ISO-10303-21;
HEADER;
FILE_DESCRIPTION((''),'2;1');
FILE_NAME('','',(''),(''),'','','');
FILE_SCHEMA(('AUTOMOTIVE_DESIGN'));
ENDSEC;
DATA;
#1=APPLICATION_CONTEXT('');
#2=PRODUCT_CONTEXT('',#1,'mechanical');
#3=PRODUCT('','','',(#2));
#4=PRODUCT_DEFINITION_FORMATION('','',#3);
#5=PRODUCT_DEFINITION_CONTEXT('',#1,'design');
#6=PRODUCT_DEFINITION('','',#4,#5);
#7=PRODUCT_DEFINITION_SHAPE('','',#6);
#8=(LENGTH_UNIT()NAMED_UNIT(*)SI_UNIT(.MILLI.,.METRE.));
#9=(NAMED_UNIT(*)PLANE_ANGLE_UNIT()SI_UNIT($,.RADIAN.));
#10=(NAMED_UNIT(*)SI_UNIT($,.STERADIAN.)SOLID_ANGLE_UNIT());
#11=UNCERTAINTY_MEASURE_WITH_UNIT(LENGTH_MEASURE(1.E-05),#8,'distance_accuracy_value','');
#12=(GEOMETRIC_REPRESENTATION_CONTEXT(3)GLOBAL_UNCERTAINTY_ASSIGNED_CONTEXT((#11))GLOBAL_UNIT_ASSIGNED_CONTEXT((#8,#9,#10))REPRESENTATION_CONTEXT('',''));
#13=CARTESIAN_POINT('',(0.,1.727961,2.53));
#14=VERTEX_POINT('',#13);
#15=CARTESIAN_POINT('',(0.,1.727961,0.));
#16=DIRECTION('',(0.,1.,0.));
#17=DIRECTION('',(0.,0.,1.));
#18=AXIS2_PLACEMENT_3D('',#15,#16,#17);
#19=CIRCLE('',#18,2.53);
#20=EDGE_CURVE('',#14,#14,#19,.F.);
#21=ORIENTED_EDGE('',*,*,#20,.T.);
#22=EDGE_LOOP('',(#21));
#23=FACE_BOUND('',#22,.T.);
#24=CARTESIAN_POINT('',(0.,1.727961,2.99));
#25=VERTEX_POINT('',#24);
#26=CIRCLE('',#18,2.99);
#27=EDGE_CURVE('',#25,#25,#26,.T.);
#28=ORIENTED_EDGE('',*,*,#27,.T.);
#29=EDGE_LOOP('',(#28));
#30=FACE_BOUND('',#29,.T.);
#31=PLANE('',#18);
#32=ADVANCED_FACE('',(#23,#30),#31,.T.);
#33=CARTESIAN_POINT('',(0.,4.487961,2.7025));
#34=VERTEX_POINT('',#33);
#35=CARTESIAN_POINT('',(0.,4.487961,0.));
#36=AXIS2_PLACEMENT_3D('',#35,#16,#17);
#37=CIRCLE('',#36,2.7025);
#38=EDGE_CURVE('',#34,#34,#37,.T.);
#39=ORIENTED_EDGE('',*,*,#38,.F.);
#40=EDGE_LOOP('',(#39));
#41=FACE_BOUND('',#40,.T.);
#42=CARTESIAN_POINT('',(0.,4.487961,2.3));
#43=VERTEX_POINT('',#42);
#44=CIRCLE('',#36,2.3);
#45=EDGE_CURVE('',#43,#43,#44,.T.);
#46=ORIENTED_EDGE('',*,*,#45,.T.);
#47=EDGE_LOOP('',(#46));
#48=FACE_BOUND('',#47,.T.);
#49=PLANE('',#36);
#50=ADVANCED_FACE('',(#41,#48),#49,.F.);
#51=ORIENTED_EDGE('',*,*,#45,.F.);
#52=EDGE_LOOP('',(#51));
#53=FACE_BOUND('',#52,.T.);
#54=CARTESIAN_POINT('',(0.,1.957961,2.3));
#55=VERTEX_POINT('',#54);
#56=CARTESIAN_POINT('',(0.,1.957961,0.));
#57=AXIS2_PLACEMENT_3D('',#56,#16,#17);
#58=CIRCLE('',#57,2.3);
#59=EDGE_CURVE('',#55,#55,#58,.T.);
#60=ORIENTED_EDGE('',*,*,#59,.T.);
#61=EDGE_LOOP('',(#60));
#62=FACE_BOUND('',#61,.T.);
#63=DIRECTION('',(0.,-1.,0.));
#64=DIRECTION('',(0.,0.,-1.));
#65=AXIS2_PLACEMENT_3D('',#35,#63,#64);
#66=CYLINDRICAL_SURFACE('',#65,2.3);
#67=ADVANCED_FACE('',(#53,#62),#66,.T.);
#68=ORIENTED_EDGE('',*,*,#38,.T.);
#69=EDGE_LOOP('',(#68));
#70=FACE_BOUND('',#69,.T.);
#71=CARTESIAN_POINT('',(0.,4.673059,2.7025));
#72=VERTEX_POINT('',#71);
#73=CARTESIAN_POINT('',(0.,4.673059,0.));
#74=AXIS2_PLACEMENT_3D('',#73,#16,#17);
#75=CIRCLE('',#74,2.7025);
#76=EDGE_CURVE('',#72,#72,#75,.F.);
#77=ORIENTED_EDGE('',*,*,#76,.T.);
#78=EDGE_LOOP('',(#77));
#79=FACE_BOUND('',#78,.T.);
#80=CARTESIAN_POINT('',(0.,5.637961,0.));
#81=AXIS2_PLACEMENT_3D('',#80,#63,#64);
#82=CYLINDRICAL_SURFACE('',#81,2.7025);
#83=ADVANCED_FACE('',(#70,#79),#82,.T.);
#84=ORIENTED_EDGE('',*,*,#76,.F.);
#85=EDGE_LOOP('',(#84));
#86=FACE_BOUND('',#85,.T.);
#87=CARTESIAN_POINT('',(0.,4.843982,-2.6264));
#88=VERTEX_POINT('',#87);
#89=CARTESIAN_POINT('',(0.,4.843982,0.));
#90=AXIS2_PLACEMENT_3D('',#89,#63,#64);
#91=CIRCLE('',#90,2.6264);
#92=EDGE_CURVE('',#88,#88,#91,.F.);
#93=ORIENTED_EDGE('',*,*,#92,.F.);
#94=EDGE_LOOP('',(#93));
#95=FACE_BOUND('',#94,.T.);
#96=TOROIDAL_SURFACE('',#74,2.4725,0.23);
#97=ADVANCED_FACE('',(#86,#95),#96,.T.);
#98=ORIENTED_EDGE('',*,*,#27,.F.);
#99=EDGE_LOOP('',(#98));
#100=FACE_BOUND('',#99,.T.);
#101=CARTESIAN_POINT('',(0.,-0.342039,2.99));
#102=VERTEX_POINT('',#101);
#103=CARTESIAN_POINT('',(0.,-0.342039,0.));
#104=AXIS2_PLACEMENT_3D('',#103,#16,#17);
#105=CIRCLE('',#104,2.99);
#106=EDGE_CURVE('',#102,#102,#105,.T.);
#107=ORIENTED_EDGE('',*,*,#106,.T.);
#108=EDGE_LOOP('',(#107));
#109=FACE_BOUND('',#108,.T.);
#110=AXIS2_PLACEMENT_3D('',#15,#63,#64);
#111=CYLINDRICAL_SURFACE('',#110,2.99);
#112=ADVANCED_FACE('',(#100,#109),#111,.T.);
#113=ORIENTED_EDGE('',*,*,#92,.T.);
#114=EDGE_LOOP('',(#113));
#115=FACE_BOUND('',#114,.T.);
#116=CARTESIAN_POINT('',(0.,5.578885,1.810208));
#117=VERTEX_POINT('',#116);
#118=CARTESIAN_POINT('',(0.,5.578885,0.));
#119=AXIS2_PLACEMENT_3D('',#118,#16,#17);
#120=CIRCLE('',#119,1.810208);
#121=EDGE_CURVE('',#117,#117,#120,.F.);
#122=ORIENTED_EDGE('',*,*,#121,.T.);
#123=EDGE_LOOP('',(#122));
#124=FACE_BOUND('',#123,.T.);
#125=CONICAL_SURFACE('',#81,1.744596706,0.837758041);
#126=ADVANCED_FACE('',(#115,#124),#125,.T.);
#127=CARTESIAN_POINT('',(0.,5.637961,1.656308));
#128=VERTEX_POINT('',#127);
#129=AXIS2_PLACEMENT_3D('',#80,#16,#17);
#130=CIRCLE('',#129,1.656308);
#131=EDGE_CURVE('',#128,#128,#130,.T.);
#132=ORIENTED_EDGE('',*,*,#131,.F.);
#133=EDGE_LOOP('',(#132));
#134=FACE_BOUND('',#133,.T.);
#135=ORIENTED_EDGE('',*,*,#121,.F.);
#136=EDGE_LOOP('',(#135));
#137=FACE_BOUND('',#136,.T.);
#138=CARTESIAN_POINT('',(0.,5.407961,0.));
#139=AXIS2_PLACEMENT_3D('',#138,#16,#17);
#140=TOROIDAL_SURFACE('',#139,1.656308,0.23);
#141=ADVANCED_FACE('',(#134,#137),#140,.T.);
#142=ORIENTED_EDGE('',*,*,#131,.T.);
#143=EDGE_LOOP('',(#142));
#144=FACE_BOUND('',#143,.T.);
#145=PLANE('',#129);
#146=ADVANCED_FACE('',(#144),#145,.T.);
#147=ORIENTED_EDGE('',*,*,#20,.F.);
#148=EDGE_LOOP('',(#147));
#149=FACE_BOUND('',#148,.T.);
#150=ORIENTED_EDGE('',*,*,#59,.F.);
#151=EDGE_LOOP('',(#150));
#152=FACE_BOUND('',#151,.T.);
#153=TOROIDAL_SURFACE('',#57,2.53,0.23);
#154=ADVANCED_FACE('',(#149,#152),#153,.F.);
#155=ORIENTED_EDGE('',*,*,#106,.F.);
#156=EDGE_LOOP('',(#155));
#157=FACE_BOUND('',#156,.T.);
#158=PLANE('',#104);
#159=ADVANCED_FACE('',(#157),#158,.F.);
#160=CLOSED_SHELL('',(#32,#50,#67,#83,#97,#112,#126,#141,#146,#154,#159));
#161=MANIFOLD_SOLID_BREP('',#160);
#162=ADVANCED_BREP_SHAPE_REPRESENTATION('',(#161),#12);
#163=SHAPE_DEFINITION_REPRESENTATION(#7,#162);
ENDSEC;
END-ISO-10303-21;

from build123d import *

# Parameters (mm, degrees)
SKETCH1_R           = 2.6
BOSS_EXTRUDE1_DEPTH = 1.8
SKETCH2_R           = 2
BOSS_EXTRUDE2_DEPTH = 2.4
SKETCH3_R           = 2.35
BOSS_EXTRUDE3_DEPTH = 1
CHAMFER1_SIZE       = 0.75
CHAMFER1_SIZE2      = 0.832959386
FILLET1_R           = 0.2
SCALE1_SCALE        = 1.15


with BuildPart() as part:
    # Sketch1 → Boss-Extrude1 (new body)
    with BuildSketch(Plane(origin=(0, 0, 0), x_dir=(1, 0, 0), z_dir=(0, 1, 0))):
        Circle(SKETCH1_R)
    extrude(amount=BOSS_EXTRUDE1_DEPTH)

    # Sketch2 → Boss-Extrude2 (add)
    with BuildSketch(Plane(origin=(0, 1.8, 0), x_dir=(1, 0, 0), z_dir=(0, 1, 0))):
        Circle(SKETCH2_R)
    extrude(amount=BOSS_EXTRUDE2_DEPTH)

    # Sketch3 → Boss-Extrude3 (add)
    with BuildSketch(Plane(origin=(0, 4.2, 0), x_dir=(1, 0, 0), z_dir=(0, 1, 0))):
        Circle(SKETCH3_R)
    extrude(amount=BOSS_EXTRUDE3_DEPTH)

    # Chamfer1
    chamfer1_edges = [part.edges().sort_by_distance(p)[0] for p in [
        (-2.35, 5.2, 0),
    ]]
    chamfer1_side = [part.faces().sort_by_distance(p)[0] for p in [
        (-2.35, 4.7, 0),
    ]]
    chamfer(chamfer1_edges, length=CHAMFER1_SIZE, length2=CHAMFER1_SIZE2, reference=chamfer1_side[0])

    # Fillet1
    fillet1_edges = [part.edges().sort_by_distance(p)[0] for p in [
        (-1.517040614, 5.2, 0),
        (-2.35, 4.45, 0),
        (-2, 1.8, 0),
    ]]
    fillet(fillet1_edges, radius=FILLET1_R)


with BuildPart() as part_1:
    # Scale1: scaled about (-4.2e-08, 2.280257944, 0)
    add(part.part.scale(SCALE1_SCALE).moved(Location((6e-09, -0.342038692, 0))))


solid = part_1.part
